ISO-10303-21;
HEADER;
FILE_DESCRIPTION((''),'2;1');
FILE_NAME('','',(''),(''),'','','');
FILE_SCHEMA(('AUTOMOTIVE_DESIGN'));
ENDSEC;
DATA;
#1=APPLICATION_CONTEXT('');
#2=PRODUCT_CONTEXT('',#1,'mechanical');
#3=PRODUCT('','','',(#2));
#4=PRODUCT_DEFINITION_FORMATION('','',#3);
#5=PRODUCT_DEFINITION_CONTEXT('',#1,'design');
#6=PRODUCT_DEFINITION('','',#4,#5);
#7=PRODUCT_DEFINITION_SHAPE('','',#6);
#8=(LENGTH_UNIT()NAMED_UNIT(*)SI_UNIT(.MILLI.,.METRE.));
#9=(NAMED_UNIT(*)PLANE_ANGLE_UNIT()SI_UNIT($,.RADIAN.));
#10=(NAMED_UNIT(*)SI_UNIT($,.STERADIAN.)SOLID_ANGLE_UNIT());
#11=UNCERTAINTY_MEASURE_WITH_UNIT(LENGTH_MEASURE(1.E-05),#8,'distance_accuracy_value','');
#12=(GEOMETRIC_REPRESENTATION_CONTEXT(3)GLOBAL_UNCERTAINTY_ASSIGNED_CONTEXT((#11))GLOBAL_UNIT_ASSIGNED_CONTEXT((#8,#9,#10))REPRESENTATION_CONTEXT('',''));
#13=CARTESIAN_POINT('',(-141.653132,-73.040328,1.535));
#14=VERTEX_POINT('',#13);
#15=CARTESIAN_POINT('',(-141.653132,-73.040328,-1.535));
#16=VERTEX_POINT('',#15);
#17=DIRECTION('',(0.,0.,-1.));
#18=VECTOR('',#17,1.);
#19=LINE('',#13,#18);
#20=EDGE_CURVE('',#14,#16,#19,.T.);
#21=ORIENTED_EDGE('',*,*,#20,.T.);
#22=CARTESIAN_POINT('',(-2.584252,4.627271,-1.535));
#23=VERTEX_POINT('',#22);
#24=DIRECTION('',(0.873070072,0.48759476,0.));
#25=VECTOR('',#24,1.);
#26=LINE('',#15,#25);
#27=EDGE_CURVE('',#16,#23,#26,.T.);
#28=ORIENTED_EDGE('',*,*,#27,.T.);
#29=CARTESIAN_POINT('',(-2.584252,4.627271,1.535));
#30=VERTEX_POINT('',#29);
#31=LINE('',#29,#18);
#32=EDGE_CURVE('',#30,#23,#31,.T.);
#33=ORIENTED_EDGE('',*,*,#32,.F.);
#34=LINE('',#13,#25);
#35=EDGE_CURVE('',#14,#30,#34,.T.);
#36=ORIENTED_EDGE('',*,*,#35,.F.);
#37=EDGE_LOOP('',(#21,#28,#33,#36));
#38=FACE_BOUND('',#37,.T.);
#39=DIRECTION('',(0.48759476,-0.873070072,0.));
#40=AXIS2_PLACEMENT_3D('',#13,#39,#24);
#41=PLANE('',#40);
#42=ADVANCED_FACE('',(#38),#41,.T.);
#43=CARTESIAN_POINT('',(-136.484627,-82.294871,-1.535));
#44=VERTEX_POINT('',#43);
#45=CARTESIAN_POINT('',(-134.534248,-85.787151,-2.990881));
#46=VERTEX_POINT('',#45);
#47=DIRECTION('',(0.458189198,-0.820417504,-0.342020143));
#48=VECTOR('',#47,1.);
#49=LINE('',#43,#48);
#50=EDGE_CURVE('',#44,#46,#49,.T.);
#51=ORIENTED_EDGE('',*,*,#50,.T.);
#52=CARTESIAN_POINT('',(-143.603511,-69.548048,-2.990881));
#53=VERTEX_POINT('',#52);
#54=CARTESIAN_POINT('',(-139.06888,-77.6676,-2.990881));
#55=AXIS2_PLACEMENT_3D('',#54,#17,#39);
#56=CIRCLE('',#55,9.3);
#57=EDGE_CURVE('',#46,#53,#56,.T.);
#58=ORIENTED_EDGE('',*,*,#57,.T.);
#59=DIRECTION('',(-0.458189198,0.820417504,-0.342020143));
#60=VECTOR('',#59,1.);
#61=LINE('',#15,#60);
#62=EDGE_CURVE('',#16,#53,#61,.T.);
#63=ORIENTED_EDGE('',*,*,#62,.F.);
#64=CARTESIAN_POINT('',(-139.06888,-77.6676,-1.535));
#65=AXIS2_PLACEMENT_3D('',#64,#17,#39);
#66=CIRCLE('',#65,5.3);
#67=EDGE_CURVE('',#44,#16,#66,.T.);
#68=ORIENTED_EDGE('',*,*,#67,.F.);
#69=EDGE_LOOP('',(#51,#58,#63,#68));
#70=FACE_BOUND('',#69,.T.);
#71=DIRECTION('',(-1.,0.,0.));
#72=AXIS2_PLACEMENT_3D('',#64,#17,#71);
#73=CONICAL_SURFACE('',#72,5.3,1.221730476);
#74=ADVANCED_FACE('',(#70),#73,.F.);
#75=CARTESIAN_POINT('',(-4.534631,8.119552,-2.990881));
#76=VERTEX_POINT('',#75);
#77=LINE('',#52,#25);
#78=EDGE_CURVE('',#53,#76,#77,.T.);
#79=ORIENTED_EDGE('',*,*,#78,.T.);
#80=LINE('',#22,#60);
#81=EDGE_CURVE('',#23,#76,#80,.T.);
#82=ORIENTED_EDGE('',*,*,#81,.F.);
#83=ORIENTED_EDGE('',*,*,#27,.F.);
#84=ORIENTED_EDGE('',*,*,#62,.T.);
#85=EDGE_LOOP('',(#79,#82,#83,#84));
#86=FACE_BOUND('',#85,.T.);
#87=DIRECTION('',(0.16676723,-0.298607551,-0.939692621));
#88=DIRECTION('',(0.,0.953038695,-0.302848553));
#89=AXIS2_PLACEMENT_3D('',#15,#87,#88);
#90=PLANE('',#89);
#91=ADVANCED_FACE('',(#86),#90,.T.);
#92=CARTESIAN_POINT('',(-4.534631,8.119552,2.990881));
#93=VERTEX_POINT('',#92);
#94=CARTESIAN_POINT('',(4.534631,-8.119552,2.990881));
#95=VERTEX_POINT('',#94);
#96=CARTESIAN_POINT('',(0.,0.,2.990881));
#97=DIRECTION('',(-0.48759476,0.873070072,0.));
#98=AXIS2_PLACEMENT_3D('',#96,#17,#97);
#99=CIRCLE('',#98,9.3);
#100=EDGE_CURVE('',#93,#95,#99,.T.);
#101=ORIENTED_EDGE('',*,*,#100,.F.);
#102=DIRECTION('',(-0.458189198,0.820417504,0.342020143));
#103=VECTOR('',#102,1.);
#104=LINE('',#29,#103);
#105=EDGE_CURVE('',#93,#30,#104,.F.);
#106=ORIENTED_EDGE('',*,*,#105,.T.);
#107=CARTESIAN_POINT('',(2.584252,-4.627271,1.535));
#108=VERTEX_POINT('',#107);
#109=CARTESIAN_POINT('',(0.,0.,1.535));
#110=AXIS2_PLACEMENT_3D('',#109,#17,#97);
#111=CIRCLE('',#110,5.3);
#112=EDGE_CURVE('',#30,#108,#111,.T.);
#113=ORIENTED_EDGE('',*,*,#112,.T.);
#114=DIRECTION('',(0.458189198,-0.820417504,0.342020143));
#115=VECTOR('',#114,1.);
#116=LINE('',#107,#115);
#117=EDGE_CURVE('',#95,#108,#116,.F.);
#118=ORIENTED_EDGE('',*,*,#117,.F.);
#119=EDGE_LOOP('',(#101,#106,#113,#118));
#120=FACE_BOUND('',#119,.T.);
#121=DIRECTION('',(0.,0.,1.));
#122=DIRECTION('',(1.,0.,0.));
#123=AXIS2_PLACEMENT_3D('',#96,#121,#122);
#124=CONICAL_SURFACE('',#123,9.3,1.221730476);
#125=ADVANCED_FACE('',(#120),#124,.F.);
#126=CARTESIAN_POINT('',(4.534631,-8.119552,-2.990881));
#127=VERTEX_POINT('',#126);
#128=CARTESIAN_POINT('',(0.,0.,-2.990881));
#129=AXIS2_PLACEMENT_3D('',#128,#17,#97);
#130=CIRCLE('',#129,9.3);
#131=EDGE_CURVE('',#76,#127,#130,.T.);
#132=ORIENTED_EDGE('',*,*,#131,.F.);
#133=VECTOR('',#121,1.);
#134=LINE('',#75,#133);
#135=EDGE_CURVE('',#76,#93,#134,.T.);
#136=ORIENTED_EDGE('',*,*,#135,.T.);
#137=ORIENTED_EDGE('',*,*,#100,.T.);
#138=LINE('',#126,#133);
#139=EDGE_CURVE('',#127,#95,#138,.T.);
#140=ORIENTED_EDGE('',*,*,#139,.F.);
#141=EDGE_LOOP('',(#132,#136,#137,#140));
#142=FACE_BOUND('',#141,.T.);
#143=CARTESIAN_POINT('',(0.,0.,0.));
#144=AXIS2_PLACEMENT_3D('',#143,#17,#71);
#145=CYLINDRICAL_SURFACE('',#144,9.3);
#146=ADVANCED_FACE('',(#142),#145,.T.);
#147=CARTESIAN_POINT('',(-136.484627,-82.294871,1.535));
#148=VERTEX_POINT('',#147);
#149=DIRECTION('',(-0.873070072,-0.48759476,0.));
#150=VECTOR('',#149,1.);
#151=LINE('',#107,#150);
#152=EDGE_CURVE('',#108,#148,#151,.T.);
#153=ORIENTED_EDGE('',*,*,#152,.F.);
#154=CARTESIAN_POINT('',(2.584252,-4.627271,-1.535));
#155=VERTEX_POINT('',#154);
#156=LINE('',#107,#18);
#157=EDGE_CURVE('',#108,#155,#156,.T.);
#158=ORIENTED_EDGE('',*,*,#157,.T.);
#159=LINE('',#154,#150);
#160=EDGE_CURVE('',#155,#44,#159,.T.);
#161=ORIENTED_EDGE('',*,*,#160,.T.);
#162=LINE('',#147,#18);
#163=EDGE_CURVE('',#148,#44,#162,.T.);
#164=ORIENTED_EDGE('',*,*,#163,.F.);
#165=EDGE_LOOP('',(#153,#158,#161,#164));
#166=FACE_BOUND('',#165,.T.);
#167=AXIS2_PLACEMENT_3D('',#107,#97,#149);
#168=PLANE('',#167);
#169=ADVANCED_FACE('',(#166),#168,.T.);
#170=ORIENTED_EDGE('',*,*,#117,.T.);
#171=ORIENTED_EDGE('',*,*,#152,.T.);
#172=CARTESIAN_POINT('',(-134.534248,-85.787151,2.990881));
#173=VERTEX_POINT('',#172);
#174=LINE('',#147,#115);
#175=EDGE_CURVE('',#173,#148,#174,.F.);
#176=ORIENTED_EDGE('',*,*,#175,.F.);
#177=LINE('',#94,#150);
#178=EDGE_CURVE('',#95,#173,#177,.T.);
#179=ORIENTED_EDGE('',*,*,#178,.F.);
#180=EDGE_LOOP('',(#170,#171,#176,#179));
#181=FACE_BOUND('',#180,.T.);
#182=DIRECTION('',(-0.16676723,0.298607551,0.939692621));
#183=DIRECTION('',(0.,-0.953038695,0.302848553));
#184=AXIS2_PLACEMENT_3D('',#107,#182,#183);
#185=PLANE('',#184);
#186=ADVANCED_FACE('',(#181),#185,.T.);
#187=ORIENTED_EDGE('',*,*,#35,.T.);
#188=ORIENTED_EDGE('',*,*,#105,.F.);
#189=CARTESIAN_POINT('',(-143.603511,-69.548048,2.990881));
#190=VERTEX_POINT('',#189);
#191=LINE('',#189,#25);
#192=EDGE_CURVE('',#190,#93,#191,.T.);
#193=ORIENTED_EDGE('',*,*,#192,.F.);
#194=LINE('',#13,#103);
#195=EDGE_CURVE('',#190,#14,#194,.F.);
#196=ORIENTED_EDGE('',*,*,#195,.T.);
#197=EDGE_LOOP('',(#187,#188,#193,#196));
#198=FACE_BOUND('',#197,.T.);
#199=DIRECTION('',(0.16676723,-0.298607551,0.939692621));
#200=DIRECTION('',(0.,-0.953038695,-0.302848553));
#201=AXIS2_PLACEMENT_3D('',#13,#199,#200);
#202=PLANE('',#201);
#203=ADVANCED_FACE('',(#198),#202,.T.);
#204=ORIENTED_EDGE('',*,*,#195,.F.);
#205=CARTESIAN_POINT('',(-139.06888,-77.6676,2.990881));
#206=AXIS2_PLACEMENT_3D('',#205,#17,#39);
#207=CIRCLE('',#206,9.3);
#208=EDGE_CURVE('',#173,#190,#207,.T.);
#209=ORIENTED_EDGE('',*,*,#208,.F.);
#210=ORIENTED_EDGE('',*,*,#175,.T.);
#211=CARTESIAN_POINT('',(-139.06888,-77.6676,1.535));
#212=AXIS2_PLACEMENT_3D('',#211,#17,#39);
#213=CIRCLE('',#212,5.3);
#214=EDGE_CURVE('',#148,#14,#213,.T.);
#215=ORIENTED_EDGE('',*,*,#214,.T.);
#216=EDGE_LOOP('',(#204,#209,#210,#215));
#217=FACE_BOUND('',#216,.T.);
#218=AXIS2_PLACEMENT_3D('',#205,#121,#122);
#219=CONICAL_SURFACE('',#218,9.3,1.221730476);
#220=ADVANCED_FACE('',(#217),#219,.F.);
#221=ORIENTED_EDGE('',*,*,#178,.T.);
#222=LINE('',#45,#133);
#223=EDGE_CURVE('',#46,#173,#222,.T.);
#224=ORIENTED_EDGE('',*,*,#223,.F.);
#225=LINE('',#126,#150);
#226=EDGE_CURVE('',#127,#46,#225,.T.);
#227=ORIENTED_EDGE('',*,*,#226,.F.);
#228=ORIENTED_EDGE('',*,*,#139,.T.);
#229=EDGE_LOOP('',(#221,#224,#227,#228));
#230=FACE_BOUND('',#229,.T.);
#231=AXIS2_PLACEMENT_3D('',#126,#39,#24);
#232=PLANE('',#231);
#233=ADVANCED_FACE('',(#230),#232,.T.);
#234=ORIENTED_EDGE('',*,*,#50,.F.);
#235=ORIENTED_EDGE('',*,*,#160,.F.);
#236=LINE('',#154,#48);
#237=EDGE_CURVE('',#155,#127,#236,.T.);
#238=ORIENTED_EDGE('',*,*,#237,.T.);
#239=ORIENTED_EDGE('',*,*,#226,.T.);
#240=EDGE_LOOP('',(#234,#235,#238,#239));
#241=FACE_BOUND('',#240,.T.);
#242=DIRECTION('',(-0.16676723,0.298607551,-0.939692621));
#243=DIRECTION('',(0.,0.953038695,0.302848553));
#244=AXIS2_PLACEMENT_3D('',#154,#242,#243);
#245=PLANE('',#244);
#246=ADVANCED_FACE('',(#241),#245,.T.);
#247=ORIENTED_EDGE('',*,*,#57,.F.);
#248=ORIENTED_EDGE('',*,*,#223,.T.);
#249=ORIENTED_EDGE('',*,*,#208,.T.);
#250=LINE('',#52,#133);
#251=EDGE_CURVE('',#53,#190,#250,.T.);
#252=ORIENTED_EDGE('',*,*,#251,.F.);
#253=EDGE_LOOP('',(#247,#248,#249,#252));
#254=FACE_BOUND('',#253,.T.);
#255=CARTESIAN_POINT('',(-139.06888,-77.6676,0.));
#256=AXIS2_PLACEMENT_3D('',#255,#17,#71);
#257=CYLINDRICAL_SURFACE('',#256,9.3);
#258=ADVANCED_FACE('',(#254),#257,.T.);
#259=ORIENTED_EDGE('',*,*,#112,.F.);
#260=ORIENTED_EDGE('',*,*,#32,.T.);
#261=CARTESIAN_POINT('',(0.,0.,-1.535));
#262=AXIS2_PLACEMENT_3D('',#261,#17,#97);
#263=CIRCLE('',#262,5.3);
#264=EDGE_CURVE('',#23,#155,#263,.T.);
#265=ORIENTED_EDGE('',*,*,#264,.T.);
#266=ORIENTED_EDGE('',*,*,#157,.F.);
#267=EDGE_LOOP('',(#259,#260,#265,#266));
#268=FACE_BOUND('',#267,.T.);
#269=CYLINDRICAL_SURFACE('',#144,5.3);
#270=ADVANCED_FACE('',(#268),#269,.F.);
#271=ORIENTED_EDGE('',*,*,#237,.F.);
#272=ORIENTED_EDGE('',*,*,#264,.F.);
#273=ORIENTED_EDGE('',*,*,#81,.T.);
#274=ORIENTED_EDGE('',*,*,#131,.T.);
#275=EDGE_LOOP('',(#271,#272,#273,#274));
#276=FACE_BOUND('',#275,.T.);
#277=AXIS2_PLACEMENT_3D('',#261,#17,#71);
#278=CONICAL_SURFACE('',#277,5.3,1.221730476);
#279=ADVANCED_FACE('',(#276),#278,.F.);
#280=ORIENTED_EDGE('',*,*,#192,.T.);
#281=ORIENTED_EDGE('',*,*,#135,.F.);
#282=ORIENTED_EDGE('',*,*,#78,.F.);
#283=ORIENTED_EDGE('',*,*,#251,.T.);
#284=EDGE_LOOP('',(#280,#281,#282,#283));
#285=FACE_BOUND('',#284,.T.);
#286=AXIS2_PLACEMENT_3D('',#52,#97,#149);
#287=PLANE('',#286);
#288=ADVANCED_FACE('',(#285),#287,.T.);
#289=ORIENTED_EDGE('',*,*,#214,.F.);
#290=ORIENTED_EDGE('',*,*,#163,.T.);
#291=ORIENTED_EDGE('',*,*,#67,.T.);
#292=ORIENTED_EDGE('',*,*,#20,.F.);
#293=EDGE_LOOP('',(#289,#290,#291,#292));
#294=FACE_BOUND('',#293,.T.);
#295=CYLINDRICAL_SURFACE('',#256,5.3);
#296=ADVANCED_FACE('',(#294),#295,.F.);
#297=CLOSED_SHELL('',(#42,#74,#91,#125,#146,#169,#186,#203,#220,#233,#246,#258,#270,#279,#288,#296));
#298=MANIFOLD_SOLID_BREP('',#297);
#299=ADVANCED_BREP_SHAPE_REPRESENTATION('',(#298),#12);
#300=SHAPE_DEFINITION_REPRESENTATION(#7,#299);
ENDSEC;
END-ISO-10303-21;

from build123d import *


with BuildPart() as part:
    # 扫描1: sweep along a path in 草图2
    with BuildLine(Plane.XY) as sweep_1_path:
        Line((2.584252226, -4.627271381), (-136.48462728, -82.294871103))
        ThreePointArc((-136.48462728, -82.294871103), (-143.696150887, -80.251851948), (-141.653131732, -73.040328341))
        Line((-141.653131732, -73.040328341), (-2.584252226, 4.627271381))
        ThreePointArc((-2.584252226, 4.627271381), (4.627271381, 2.584252226), (2.584252226, -4.627271381))
    # 草图3 → 扫描1 (sweep)
    with BuildSketch(Plane(origin=(0, 0, 0), x_dir=(0, 0, -1), z_dir=(0.8730700718740267, 0.48759475960871657, 0))):
        Polygon((-1.535, 5.3), (1.535, 5.3), (2.990880937, 9.3), (-2.990880937, 9.3), align=None)
    sweep(path=sweep_1_path.line)


solid = part.part
